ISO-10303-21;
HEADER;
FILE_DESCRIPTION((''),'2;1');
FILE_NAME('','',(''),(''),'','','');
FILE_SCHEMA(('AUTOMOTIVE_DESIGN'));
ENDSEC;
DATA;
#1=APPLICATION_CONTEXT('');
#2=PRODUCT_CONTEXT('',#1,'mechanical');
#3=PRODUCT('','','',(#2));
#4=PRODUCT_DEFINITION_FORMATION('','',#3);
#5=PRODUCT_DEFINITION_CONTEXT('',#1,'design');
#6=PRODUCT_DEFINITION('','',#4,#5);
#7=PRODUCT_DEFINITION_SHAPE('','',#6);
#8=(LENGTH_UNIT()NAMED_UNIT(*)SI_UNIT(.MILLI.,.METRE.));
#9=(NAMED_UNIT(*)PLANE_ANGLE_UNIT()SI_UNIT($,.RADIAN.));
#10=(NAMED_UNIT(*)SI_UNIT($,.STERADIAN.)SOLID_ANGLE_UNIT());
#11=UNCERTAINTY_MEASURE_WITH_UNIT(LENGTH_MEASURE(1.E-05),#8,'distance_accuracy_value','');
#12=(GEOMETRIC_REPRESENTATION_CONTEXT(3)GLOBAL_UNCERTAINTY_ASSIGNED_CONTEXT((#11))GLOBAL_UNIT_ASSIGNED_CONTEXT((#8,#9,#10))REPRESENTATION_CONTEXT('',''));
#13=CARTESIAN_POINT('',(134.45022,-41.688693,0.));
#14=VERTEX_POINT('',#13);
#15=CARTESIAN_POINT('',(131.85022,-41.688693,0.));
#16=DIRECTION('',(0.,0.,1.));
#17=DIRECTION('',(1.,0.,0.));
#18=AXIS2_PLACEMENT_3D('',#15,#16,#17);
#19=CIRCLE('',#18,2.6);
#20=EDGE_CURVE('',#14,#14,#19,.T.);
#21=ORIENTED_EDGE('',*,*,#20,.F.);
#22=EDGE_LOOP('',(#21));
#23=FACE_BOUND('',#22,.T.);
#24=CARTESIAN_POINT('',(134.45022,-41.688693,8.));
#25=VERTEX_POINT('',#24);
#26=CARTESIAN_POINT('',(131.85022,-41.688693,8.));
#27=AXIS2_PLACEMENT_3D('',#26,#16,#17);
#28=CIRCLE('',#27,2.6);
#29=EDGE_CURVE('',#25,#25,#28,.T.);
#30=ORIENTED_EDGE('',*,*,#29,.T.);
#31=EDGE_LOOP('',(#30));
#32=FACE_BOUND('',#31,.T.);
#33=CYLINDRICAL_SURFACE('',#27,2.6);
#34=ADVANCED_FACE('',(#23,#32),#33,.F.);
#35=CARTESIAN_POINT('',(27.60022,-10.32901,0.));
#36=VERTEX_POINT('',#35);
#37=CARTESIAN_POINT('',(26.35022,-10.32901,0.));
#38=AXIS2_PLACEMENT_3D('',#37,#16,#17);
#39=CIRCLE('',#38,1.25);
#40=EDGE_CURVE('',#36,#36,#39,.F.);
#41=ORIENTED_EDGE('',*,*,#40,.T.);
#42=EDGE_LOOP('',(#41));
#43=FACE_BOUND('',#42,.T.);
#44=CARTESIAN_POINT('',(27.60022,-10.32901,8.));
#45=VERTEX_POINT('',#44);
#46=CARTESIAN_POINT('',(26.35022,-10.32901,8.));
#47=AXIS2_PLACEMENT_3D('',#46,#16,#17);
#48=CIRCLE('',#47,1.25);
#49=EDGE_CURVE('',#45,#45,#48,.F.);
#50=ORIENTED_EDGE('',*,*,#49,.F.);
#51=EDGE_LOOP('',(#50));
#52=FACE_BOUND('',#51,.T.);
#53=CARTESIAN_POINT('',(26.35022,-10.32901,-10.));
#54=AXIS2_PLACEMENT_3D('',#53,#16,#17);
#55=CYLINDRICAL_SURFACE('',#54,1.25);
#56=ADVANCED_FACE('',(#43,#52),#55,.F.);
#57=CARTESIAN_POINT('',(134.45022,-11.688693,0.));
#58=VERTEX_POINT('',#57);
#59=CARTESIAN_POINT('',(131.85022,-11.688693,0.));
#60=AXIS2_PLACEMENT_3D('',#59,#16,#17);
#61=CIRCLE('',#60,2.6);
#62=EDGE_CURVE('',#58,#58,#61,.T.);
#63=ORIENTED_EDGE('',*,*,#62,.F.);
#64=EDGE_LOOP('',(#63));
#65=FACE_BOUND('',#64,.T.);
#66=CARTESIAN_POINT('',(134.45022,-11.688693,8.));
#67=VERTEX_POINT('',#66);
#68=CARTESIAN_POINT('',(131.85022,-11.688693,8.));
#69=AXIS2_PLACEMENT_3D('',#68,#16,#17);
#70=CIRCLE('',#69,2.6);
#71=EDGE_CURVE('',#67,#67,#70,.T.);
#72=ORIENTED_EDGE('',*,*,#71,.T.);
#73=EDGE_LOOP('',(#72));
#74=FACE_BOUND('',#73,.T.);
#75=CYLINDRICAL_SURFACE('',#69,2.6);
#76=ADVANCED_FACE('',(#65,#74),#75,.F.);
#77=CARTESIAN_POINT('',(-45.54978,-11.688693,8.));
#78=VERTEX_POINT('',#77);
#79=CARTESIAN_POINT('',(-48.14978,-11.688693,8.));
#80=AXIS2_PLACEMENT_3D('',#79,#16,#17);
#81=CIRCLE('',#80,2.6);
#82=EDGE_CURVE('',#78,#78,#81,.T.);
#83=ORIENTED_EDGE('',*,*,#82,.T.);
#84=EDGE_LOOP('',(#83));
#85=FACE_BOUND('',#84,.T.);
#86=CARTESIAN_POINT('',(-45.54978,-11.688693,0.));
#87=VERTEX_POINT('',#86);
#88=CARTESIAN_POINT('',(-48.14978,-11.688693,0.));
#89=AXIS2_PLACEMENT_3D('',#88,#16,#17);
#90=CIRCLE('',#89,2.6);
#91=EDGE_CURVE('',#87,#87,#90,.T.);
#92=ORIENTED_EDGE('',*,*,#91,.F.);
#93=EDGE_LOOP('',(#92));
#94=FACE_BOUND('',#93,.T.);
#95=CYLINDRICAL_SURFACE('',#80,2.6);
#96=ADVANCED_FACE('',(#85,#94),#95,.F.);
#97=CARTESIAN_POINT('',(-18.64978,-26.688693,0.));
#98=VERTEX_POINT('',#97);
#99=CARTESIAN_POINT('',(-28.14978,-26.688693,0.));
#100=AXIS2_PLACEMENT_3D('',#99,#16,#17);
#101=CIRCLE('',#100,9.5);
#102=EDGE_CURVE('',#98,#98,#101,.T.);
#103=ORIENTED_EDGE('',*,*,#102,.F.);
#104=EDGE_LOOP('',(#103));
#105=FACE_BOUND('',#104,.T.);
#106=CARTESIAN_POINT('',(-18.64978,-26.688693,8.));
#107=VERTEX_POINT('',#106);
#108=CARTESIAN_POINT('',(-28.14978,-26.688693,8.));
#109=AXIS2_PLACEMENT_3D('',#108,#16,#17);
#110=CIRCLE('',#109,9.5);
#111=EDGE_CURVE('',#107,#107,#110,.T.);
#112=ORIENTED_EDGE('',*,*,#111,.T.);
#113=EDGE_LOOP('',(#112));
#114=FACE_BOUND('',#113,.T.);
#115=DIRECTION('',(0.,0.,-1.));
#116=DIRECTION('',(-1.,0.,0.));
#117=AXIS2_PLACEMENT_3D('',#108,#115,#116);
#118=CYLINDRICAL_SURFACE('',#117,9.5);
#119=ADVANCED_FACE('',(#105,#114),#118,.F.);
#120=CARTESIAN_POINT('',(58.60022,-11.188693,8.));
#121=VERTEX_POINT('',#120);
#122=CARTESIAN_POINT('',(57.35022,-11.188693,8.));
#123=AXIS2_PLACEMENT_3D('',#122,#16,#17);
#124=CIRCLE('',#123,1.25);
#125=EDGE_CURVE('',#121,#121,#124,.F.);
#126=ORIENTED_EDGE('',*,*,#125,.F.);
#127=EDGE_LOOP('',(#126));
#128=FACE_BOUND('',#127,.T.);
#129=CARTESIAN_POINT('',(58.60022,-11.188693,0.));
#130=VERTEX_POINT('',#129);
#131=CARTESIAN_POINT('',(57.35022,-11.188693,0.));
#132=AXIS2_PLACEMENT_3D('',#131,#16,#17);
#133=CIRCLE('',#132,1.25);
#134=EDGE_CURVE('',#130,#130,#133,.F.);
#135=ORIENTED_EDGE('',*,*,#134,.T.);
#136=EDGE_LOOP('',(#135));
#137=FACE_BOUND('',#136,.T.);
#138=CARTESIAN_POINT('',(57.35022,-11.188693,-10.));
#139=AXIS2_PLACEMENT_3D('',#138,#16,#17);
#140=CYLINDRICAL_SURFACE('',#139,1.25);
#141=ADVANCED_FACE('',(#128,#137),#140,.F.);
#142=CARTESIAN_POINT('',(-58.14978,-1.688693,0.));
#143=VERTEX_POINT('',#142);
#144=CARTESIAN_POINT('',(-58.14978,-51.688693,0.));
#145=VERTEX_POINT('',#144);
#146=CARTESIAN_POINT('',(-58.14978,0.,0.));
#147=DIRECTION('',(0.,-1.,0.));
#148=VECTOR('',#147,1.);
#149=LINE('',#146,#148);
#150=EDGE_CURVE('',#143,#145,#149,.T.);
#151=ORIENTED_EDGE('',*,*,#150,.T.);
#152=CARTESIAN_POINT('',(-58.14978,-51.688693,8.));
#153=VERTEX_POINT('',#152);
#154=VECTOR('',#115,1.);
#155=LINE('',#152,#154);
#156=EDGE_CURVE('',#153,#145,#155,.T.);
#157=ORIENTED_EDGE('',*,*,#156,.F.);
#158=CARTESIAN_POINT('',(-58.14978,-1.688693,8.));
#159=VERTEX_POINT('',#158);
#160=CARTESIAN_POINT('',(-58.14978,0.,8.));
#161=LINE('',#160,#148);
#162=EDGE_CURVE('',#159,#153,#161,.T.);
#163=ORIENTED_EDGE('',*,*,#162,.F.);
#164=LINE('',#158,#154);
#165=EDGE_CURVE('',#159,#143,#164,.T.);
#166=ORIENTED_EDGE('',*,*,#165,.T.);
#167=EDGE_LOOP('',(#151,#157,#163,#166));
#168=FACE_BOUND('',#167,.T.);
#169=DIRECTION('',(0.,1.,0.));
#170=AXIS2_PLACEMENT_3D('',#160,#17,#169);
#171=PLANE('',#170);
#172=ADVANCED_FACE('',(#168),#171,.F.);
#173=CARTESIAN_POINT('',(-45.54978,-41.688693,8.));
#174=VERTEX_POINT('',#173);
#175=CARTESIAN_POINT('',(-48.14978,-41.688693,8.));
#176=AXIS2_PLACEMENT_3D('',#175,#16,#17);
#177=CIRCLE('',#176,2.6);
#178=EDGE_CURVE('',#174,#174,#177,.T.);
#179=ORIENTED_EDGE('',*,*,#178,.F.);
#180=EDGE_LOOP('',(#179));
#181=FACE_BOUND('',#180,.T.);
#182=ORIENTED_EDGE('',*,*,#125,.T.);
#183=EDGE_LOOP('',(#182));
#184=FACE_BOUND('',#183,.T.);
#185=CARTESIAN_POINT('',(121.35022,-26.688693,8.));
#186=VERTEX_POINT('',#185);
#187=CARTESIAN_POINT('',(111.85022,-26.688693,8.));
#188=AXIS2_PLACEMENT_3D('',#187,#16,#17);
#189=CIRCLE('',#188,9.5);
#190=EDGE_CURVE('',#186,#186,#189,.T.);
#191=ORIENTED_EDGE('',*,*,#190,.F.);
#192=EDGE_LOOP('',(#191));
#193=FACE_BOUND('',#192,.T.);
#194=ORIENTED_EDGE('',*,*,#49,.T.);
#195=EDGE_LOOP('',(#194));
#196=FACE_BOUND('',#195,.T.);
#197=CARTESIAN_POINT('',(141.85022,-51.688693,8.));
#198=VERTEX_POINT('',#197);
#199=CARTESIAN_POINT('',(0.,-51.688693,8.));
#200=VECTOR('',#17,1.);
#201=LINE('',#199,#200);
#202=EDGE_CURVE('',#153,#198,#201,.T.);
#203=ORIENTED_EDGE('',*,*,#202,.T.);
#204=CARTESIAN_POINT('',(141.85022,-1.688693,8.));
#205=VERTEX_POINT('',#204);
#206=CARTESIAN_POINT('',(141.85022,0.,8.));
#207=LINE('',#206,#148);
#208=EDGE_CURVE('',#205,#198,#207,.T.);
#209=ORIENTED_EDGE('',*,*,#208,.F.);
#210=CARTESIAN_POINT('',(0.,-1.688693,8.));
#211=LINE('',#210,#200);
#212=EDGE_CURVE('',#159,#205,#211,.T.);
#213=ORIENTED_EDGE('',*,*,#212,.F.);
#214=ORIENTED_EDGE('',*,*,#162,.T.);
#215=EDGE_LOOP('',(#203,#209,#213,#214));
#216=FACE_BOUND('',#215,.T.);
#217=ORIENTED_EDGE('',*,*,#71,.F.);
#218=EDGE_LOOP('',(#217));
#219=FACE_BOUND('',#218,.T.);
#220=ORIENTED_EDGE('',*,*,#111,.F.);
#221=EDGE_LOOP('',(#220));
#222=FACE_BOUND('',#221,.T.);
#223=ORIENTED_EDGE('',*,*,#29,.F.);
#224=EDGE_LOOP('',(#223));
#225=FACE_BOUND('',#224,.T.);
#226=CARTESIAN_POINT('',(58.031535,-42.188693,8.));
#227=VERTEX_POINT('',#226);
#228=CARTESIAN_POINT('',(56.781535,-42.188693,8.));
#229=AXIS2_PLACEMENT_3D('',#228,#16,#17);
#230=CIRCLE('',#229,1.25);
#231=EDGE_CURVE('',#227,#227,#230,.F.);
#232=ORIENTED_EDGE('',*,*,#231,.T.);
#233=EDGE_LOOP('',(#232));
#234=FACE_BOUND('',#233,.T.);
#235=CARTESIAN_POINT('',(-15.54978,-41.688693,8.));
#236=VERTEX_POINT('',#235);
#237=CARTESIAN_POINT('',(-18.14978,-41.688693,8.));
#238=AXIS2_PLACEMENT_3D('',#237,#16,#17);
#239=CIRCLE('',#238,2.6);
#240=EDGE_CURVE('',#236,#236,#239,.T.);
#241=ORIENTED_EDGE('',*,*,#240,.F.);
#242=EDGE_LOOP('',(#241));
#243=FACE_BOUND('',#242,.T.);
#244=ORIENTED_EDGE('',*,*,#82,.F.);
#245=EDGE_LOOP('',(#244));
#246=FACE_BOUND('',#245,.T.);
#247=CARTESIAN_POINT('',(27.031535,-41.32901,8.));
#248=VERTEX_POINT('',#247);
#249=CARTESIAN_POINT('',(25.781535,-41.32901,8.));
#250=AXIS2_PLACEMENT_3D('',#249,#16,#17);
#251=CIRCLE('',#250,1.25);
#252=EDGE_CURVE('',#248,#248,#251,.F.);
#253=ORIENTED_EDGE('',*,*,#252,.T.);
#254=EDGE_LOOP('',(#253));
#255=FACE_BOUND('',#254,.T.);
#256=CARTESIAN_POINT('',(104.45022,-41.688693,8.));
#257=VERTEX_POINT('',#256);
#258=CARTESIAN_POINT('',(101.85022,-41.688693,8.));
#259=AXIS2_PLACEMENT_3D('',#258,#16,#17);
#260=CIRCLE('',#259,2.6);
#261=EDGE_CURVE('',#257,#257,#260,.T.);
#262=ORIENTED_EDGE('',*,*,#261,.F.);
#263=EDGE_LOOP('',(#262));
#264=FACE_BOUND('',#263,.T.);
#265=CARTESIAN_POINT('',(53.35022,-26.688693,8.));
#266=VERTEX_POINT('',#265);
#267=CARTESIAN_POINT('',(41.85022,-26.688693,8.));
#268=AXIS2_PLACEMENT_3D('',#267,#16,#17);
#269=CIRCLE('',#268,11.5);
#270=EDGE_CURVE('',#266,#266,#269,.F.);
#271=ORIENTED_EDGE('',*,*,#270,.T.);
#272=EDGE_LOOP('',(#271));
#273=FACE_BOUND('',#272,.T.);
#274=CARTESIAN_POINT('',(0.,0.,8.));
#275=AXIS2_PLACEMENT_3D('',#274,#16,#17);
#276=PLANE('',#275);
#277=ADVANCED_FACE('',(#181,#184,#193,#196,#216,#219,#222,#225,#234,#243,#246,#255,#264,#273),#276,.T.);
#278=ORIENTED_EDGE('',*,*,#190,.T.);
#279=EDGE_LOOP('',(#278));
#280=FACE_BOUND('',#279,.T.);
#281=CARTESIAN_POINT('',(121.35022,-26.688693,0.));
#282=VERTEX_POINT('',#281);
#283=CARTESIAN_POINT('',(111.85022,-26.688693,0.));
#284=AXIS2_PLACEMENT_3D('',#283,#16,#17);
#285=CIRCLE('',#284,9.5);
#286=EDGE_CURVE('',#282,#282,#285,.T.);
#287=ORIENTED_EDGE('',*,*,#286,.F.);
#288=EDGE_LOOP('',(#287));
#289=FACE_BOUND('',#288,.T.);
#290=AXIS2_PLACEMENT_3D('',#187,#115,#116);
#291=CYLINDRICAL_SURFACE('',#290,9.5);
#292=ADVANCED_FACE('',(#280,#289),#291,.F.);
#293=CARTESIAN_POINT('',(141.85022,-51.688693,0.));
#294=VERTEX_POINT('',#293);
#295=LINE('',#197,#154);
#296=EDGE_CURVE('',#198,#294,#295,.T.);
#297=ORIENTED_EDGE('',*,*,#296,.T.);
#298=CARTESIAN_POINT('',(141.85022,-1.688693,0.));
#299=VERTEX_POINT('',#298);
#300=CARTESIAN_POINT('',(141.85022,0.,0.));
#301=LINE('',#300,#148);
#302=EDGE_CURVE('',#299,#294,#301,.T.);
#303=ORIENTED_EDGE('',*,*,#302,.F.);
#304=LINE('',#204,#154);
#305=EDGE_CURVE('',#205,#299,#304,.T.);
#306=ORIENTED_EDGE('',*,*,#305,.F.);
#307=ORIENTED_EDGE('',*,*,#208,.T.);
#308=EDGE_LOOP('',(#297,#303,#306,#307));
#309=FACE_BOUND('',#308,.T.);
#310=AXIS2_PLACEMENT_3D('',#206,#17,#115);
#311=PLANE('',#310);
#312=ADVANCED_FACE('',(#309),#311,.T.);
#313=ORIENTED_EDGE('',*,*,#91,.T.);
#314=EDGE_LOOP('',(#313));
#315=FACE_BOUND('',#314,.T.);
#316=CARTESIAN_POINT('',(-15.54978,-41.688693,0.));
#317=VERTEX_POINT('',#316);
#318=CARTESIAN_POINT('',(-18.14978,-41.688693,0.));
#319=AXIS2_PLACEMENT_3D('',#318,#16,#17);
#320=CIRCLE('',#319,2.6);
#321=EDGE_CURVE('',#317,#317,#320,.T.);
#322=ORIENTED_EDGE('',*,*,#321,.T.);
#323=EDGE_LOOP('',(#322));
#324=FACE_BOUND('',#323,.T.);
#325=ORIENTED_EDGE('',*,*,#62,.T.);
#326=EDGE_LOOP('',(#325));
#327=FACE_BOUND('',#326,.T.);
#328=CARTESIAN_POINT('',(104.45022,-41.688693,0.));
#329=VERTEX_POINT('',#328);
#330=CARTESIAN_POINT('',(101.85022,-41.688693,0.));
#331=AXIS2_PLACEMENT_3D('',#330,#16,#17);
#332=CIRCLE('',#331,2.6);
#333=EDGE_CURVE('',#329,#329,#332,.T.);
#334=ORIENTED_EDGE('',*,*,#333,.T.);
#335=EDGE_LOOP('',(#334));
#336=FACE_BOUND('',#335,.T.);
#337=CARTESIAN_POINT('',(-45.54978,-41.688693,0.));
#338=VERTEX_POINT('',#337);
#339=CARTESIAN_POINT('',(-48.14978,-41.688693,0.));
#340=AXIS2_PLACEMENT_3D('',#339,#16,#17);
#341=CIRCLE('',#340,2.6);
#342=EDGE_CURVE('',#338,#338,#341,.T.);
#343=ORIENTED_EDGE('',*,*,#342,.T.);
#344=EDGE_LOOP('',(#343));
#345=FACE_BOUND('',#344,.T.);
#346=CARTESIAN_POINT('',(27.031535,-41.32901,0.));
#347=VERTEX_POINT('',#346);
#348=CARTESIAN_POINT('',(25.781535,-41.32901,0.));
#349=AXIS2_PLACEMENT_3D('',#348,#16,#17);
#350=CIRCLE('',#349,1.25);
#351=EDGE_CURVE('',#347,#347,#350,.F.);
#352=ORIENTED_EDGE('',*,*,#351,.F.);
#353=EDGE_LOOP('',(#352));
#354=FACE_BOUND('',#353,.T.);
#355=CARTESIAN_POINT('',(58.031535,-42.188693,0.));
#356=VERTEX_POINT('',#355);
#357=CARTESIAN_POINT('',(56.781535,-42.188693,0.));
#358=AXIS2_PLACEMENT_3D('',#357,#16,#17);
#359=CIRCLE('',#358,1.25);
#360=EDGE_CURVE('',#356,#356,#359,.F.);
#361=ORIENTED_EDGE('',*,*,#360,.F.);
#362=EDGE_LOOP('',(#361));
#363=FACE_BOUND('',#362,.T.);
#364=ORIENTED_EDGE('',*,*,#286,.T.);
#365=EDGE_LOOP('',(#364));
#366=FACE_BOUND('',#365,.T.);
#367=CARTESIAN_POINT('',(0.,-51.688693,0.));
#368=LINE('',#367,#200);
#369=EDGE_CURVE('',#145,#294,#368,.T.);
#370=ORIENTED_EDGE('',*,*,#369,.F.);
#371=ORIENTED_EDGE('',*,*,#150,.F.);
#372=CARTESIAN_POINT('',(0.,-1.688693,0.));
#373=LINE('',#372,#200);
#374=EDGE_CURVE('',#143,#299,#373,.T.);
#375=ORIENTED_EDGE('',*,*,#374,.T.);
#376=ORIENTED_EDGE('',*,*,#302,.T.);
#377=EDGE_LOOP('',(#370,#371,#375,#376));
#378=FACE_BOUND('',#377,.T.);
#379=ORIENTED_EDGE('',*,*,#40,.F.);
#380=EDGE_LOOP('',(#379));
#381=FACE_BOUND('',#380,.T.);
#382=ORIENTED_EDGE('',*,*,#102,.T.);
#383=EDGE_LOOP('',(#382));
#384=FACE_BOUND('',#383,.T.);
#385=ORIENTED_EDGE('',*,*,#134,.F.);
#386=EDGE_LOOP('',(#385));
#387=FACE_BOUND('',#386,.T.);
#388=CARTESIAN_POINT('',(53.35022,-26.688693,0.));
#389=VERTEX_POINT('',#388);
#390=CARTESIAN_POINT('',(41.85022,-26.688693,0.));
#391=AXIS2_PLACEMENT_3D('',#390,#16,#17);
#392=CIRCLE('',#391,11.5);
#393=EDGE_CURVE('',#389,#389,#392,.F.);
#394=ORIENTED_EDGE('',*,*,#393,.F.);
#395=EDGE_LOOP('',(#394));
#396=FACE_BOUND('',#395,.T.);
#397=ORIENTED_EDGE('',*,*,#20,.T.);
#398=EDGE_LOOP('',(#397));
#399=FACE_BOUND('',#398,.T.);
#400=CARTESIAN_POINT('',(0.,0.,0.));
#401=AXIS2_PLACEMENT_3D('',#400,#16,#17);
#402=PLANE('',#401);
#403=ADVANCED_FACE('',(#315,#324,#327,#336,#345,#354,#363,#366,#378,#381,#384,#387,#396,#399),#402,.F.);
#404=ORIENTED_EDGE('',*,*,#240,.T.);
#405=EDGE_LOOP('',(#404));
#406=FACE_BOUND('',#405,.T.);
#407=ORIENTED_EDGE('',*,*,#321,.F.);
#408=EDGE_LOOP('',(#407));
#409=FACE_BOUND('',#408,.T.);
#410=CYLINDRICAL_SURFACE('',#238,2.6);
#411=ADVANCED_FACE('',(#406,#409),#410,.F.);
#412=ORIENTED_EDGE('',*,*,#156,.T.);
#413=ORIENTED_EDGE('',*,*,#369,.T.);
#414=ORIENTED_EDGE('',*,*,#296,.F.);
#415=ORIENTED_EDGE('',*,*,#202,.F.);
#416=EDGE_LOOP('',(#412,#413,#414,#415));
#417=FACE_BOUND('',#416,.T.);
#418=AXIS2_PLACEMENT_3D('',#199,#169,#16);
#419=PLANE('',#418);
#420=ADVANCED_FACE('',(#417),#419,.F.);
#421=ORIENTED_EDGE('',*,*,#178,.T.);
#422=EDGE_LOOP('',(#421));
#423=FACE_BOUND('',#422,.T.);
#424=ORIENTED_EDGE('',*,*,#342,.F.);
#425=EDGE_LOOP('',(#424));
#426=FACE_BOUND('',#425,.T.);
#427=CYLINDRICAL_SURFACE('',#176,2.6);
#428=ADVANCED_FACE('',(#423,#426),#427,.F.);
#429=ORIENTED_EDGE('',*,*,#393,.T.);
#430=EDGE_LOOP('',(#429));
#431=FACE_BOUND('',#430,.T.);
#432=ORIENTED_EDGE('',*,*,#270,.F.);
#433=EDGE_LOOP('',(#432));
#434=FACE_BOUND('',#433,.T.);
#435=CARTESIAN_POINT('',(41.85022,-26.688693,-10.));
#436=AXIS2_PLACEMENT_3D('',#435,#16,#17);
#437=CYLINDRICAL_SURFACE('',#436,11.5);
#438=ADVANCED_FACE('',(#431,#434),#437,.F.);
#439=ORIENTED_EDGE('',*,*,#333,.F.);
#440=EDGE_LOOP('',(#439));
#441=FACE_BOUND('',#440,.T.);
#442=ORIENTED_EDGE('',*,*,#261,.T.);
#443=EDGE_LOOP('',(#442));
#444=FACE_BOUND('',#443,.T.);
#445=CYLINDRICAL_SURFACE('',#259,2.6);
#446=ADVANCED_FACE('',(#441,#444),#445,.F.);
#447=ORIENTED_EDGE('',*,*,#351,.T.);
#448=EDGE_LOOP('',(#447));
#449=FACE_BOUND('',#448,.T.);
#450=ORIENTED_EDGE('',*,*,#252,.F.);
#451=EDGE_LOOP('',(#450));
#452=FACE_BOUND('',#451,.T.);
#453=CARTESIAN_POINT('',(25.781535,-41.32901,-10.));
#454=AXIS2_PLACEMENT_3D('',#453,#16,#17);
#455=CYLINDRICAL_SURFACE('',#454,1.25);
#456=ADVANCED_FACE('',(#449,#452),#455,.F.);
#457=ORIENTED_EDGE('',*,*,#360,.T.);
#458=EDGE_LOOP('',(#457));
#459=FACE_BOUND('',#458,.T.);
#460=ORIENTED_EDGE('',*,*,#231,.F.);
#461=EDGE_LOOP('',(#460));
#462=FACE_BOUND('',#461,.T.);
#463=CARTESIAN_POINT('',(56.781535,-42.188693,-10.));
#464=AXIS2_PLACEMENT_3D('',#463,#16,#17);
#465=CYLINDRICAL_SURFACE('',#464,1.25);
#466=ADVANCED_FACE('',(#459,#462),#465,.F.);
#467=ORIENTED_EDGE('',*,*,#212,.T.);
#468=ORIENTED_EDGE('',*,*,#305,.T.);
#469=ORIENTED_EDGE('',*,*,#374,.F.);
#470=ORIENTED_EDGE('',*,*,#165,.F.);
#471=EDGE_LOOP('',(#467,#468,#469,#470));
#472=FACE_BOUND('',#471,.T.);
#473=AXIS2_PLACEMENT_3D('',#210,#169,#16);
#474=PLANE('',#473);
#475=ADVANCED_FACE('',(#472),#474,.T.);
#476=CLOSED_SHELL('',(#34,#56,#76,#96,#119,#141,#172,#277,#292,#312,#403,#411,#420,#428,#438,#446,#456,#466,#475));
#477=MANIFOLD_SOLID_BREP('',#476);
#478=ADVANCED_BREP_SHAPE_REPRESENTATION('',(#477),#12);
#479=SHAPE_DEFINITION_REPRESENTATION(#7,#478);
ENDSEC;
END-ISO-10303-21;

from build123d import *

# Parameters (mm, degrees)
IZIM1_W                              = 100
IZIM1_H                              = 50
IZIM1_R                              = 2.476303865
IZIM1_R_2                            = 9.5
IZIM1_R_3                            = 2.283039358
Y_KSEKLIK_EKSTR_ZYON1_DEPTH          = 8
M5_HELISARMAL_I_IN_Z_VANA_MATKAB_1_D = 5.2
KES_EKSTR_ZYON1_DEPTH                = 10
KES_EKSTR_ZYON1_DEPTH_BACK           = 10
IZIM4_R                              = 11.5
IZIM4_R_2                            = 1.25
M5_HELISARMAL_I_IN_Z_VANA_MATKAB_2_D = 5.2


with BuildPart() as part:
    # Çizim1 → Yükseklik-Ekstrüzyon1 (new body)
    # profile 1 of 6: a face of its own
    with BuildSketch(Plane.XY):
        with Locations((91.850220264, -26.688693098)):
            Rectangle(IZIM1_W, IZIM1_H)
        with Locations((131.850220264, -41.688693098)):
            Circle(IZIM1_R, mode=Mode.SUBTRACT)
        with Locations((111.850220264, -26.688693098)):
            Circle(IZIM1_R_2, mode=Mode.SUBTRACT)
        with Locations((131.850220264, -11.688693098)):
            Circle(IZIM1_R_3, mode=Mode.SUBTRACT)
    # profile 2 of 6: a face of its own
    with BuildSketch(Plane.XY):
        with Locations((-8.149779736, -26.688693098)):
            Rectangle(IZIM1_W, IZIM1_H)
        with Locations((-48.149779736, -41.688693098)):
            Circle(IZIM1_R, mode=Mode.SUBTRACT)
        with Locations((-28.149779736, -26.688693098)):
            Circle(IZIM1_R_2, mode=Mode.SUBTRACT)
        with Locations((-48.149779736, -11.688693098)):
            Circle(IZIM1_R_3, mode=Mode.SUBTRACT)
    # profile 3 of 6: a face of its own
    with BuildSketch(Plane.XY):
        with Locations((-48.149779736, -11.688693098)):
            Circle(IZIM1_R_3)
    # profile 4 of 6: a face of its own
    with BuildSketch(Plane.XY):
        with Locations((-48.149779736, -41.688693098)):
            Circle(IZIM1_R)
    # profile 5 of 6: a face of its own
    with BuildSketch(Plane.XY):
        with Locations((131.850220264, -11.688693098)):
            Circle(IZIM1_R_3)
    # profile 6 of 6: a face of its own
    with BuildSketch(Plane.XY):
        with Locations((131.850220264, -41.688693098)):
            Circle(IZIM1_R)
    extrude(amount=Y_KSEKLIK_EKSTR_ZYON1_DEPTH)

    # M5 Helisarmal için Zıvana matkabı1 (through all)
    with Locations(Plane.XY.offset(8)):
        with Locations((-48.149779736, -11.688693098), (-48.149779736, -41.688693098), (131.850220264, -41.688693098), (131.850220264, -11.688693098)):
            Hole(M5_HELISARMAL_I_IN_Z_VANA_MATKAB_1_D / 2)

    # Çizim4 → Kes-Ekstrüzyon1 (cut, two sides: drawn at the far end of the back side and taken through both)
    with BuildSketch(Plane(origin=(0, 0, 0), x_dir=(-1, 0, 0), z_dir=(0, 0, -1)).offset(-KES_EKSTR_ZYON1_DEPTH_BACK)):
        with Locations(Location((-41.850220264, -26.688693098, 0), (0, 0, 180))):
            Circle(IZIM4_R)
        with Locations(Location((-57.350220264, -11.188693098, 0), (0, 0, 180))):
            Circle(IZIM4_R_2)
        with Locations(Location((-56.781535146, -42.188693098, 0), (0, 0, 180))):
            Circle(IZIM4_R_2)
        with Locations(Location((-25.781535146, -41.329010258, 0), (0, 0, 180))):
            Circle(IZIM4_R_2)
        with Locations(Location((-26.350220264, -10.329010258, 0), (0, 0, 180))):
            Circle(IZIM4_R_2)
    extrude(amount=KES_EKSTR_ZYON1_DEPTH + KES_EKSTR_ZYON1_DEPTH_BACK, mode=Mode.SUBTRACT)

    # M5 Helisarmal için Zıvana matkabı2 (through all)
    with Locations(Plane(origin=(-18.149779736, -41.688693098, 8), x_dir=(1, 0, 0), z_dir=(0, 0, 1))):
        with Locations((0, 0), (120, 0)):
            Hole(M5_HELISARMAL_I_IN_Z_VANA_MATKAB_2_D / 2)


solid = part.part
